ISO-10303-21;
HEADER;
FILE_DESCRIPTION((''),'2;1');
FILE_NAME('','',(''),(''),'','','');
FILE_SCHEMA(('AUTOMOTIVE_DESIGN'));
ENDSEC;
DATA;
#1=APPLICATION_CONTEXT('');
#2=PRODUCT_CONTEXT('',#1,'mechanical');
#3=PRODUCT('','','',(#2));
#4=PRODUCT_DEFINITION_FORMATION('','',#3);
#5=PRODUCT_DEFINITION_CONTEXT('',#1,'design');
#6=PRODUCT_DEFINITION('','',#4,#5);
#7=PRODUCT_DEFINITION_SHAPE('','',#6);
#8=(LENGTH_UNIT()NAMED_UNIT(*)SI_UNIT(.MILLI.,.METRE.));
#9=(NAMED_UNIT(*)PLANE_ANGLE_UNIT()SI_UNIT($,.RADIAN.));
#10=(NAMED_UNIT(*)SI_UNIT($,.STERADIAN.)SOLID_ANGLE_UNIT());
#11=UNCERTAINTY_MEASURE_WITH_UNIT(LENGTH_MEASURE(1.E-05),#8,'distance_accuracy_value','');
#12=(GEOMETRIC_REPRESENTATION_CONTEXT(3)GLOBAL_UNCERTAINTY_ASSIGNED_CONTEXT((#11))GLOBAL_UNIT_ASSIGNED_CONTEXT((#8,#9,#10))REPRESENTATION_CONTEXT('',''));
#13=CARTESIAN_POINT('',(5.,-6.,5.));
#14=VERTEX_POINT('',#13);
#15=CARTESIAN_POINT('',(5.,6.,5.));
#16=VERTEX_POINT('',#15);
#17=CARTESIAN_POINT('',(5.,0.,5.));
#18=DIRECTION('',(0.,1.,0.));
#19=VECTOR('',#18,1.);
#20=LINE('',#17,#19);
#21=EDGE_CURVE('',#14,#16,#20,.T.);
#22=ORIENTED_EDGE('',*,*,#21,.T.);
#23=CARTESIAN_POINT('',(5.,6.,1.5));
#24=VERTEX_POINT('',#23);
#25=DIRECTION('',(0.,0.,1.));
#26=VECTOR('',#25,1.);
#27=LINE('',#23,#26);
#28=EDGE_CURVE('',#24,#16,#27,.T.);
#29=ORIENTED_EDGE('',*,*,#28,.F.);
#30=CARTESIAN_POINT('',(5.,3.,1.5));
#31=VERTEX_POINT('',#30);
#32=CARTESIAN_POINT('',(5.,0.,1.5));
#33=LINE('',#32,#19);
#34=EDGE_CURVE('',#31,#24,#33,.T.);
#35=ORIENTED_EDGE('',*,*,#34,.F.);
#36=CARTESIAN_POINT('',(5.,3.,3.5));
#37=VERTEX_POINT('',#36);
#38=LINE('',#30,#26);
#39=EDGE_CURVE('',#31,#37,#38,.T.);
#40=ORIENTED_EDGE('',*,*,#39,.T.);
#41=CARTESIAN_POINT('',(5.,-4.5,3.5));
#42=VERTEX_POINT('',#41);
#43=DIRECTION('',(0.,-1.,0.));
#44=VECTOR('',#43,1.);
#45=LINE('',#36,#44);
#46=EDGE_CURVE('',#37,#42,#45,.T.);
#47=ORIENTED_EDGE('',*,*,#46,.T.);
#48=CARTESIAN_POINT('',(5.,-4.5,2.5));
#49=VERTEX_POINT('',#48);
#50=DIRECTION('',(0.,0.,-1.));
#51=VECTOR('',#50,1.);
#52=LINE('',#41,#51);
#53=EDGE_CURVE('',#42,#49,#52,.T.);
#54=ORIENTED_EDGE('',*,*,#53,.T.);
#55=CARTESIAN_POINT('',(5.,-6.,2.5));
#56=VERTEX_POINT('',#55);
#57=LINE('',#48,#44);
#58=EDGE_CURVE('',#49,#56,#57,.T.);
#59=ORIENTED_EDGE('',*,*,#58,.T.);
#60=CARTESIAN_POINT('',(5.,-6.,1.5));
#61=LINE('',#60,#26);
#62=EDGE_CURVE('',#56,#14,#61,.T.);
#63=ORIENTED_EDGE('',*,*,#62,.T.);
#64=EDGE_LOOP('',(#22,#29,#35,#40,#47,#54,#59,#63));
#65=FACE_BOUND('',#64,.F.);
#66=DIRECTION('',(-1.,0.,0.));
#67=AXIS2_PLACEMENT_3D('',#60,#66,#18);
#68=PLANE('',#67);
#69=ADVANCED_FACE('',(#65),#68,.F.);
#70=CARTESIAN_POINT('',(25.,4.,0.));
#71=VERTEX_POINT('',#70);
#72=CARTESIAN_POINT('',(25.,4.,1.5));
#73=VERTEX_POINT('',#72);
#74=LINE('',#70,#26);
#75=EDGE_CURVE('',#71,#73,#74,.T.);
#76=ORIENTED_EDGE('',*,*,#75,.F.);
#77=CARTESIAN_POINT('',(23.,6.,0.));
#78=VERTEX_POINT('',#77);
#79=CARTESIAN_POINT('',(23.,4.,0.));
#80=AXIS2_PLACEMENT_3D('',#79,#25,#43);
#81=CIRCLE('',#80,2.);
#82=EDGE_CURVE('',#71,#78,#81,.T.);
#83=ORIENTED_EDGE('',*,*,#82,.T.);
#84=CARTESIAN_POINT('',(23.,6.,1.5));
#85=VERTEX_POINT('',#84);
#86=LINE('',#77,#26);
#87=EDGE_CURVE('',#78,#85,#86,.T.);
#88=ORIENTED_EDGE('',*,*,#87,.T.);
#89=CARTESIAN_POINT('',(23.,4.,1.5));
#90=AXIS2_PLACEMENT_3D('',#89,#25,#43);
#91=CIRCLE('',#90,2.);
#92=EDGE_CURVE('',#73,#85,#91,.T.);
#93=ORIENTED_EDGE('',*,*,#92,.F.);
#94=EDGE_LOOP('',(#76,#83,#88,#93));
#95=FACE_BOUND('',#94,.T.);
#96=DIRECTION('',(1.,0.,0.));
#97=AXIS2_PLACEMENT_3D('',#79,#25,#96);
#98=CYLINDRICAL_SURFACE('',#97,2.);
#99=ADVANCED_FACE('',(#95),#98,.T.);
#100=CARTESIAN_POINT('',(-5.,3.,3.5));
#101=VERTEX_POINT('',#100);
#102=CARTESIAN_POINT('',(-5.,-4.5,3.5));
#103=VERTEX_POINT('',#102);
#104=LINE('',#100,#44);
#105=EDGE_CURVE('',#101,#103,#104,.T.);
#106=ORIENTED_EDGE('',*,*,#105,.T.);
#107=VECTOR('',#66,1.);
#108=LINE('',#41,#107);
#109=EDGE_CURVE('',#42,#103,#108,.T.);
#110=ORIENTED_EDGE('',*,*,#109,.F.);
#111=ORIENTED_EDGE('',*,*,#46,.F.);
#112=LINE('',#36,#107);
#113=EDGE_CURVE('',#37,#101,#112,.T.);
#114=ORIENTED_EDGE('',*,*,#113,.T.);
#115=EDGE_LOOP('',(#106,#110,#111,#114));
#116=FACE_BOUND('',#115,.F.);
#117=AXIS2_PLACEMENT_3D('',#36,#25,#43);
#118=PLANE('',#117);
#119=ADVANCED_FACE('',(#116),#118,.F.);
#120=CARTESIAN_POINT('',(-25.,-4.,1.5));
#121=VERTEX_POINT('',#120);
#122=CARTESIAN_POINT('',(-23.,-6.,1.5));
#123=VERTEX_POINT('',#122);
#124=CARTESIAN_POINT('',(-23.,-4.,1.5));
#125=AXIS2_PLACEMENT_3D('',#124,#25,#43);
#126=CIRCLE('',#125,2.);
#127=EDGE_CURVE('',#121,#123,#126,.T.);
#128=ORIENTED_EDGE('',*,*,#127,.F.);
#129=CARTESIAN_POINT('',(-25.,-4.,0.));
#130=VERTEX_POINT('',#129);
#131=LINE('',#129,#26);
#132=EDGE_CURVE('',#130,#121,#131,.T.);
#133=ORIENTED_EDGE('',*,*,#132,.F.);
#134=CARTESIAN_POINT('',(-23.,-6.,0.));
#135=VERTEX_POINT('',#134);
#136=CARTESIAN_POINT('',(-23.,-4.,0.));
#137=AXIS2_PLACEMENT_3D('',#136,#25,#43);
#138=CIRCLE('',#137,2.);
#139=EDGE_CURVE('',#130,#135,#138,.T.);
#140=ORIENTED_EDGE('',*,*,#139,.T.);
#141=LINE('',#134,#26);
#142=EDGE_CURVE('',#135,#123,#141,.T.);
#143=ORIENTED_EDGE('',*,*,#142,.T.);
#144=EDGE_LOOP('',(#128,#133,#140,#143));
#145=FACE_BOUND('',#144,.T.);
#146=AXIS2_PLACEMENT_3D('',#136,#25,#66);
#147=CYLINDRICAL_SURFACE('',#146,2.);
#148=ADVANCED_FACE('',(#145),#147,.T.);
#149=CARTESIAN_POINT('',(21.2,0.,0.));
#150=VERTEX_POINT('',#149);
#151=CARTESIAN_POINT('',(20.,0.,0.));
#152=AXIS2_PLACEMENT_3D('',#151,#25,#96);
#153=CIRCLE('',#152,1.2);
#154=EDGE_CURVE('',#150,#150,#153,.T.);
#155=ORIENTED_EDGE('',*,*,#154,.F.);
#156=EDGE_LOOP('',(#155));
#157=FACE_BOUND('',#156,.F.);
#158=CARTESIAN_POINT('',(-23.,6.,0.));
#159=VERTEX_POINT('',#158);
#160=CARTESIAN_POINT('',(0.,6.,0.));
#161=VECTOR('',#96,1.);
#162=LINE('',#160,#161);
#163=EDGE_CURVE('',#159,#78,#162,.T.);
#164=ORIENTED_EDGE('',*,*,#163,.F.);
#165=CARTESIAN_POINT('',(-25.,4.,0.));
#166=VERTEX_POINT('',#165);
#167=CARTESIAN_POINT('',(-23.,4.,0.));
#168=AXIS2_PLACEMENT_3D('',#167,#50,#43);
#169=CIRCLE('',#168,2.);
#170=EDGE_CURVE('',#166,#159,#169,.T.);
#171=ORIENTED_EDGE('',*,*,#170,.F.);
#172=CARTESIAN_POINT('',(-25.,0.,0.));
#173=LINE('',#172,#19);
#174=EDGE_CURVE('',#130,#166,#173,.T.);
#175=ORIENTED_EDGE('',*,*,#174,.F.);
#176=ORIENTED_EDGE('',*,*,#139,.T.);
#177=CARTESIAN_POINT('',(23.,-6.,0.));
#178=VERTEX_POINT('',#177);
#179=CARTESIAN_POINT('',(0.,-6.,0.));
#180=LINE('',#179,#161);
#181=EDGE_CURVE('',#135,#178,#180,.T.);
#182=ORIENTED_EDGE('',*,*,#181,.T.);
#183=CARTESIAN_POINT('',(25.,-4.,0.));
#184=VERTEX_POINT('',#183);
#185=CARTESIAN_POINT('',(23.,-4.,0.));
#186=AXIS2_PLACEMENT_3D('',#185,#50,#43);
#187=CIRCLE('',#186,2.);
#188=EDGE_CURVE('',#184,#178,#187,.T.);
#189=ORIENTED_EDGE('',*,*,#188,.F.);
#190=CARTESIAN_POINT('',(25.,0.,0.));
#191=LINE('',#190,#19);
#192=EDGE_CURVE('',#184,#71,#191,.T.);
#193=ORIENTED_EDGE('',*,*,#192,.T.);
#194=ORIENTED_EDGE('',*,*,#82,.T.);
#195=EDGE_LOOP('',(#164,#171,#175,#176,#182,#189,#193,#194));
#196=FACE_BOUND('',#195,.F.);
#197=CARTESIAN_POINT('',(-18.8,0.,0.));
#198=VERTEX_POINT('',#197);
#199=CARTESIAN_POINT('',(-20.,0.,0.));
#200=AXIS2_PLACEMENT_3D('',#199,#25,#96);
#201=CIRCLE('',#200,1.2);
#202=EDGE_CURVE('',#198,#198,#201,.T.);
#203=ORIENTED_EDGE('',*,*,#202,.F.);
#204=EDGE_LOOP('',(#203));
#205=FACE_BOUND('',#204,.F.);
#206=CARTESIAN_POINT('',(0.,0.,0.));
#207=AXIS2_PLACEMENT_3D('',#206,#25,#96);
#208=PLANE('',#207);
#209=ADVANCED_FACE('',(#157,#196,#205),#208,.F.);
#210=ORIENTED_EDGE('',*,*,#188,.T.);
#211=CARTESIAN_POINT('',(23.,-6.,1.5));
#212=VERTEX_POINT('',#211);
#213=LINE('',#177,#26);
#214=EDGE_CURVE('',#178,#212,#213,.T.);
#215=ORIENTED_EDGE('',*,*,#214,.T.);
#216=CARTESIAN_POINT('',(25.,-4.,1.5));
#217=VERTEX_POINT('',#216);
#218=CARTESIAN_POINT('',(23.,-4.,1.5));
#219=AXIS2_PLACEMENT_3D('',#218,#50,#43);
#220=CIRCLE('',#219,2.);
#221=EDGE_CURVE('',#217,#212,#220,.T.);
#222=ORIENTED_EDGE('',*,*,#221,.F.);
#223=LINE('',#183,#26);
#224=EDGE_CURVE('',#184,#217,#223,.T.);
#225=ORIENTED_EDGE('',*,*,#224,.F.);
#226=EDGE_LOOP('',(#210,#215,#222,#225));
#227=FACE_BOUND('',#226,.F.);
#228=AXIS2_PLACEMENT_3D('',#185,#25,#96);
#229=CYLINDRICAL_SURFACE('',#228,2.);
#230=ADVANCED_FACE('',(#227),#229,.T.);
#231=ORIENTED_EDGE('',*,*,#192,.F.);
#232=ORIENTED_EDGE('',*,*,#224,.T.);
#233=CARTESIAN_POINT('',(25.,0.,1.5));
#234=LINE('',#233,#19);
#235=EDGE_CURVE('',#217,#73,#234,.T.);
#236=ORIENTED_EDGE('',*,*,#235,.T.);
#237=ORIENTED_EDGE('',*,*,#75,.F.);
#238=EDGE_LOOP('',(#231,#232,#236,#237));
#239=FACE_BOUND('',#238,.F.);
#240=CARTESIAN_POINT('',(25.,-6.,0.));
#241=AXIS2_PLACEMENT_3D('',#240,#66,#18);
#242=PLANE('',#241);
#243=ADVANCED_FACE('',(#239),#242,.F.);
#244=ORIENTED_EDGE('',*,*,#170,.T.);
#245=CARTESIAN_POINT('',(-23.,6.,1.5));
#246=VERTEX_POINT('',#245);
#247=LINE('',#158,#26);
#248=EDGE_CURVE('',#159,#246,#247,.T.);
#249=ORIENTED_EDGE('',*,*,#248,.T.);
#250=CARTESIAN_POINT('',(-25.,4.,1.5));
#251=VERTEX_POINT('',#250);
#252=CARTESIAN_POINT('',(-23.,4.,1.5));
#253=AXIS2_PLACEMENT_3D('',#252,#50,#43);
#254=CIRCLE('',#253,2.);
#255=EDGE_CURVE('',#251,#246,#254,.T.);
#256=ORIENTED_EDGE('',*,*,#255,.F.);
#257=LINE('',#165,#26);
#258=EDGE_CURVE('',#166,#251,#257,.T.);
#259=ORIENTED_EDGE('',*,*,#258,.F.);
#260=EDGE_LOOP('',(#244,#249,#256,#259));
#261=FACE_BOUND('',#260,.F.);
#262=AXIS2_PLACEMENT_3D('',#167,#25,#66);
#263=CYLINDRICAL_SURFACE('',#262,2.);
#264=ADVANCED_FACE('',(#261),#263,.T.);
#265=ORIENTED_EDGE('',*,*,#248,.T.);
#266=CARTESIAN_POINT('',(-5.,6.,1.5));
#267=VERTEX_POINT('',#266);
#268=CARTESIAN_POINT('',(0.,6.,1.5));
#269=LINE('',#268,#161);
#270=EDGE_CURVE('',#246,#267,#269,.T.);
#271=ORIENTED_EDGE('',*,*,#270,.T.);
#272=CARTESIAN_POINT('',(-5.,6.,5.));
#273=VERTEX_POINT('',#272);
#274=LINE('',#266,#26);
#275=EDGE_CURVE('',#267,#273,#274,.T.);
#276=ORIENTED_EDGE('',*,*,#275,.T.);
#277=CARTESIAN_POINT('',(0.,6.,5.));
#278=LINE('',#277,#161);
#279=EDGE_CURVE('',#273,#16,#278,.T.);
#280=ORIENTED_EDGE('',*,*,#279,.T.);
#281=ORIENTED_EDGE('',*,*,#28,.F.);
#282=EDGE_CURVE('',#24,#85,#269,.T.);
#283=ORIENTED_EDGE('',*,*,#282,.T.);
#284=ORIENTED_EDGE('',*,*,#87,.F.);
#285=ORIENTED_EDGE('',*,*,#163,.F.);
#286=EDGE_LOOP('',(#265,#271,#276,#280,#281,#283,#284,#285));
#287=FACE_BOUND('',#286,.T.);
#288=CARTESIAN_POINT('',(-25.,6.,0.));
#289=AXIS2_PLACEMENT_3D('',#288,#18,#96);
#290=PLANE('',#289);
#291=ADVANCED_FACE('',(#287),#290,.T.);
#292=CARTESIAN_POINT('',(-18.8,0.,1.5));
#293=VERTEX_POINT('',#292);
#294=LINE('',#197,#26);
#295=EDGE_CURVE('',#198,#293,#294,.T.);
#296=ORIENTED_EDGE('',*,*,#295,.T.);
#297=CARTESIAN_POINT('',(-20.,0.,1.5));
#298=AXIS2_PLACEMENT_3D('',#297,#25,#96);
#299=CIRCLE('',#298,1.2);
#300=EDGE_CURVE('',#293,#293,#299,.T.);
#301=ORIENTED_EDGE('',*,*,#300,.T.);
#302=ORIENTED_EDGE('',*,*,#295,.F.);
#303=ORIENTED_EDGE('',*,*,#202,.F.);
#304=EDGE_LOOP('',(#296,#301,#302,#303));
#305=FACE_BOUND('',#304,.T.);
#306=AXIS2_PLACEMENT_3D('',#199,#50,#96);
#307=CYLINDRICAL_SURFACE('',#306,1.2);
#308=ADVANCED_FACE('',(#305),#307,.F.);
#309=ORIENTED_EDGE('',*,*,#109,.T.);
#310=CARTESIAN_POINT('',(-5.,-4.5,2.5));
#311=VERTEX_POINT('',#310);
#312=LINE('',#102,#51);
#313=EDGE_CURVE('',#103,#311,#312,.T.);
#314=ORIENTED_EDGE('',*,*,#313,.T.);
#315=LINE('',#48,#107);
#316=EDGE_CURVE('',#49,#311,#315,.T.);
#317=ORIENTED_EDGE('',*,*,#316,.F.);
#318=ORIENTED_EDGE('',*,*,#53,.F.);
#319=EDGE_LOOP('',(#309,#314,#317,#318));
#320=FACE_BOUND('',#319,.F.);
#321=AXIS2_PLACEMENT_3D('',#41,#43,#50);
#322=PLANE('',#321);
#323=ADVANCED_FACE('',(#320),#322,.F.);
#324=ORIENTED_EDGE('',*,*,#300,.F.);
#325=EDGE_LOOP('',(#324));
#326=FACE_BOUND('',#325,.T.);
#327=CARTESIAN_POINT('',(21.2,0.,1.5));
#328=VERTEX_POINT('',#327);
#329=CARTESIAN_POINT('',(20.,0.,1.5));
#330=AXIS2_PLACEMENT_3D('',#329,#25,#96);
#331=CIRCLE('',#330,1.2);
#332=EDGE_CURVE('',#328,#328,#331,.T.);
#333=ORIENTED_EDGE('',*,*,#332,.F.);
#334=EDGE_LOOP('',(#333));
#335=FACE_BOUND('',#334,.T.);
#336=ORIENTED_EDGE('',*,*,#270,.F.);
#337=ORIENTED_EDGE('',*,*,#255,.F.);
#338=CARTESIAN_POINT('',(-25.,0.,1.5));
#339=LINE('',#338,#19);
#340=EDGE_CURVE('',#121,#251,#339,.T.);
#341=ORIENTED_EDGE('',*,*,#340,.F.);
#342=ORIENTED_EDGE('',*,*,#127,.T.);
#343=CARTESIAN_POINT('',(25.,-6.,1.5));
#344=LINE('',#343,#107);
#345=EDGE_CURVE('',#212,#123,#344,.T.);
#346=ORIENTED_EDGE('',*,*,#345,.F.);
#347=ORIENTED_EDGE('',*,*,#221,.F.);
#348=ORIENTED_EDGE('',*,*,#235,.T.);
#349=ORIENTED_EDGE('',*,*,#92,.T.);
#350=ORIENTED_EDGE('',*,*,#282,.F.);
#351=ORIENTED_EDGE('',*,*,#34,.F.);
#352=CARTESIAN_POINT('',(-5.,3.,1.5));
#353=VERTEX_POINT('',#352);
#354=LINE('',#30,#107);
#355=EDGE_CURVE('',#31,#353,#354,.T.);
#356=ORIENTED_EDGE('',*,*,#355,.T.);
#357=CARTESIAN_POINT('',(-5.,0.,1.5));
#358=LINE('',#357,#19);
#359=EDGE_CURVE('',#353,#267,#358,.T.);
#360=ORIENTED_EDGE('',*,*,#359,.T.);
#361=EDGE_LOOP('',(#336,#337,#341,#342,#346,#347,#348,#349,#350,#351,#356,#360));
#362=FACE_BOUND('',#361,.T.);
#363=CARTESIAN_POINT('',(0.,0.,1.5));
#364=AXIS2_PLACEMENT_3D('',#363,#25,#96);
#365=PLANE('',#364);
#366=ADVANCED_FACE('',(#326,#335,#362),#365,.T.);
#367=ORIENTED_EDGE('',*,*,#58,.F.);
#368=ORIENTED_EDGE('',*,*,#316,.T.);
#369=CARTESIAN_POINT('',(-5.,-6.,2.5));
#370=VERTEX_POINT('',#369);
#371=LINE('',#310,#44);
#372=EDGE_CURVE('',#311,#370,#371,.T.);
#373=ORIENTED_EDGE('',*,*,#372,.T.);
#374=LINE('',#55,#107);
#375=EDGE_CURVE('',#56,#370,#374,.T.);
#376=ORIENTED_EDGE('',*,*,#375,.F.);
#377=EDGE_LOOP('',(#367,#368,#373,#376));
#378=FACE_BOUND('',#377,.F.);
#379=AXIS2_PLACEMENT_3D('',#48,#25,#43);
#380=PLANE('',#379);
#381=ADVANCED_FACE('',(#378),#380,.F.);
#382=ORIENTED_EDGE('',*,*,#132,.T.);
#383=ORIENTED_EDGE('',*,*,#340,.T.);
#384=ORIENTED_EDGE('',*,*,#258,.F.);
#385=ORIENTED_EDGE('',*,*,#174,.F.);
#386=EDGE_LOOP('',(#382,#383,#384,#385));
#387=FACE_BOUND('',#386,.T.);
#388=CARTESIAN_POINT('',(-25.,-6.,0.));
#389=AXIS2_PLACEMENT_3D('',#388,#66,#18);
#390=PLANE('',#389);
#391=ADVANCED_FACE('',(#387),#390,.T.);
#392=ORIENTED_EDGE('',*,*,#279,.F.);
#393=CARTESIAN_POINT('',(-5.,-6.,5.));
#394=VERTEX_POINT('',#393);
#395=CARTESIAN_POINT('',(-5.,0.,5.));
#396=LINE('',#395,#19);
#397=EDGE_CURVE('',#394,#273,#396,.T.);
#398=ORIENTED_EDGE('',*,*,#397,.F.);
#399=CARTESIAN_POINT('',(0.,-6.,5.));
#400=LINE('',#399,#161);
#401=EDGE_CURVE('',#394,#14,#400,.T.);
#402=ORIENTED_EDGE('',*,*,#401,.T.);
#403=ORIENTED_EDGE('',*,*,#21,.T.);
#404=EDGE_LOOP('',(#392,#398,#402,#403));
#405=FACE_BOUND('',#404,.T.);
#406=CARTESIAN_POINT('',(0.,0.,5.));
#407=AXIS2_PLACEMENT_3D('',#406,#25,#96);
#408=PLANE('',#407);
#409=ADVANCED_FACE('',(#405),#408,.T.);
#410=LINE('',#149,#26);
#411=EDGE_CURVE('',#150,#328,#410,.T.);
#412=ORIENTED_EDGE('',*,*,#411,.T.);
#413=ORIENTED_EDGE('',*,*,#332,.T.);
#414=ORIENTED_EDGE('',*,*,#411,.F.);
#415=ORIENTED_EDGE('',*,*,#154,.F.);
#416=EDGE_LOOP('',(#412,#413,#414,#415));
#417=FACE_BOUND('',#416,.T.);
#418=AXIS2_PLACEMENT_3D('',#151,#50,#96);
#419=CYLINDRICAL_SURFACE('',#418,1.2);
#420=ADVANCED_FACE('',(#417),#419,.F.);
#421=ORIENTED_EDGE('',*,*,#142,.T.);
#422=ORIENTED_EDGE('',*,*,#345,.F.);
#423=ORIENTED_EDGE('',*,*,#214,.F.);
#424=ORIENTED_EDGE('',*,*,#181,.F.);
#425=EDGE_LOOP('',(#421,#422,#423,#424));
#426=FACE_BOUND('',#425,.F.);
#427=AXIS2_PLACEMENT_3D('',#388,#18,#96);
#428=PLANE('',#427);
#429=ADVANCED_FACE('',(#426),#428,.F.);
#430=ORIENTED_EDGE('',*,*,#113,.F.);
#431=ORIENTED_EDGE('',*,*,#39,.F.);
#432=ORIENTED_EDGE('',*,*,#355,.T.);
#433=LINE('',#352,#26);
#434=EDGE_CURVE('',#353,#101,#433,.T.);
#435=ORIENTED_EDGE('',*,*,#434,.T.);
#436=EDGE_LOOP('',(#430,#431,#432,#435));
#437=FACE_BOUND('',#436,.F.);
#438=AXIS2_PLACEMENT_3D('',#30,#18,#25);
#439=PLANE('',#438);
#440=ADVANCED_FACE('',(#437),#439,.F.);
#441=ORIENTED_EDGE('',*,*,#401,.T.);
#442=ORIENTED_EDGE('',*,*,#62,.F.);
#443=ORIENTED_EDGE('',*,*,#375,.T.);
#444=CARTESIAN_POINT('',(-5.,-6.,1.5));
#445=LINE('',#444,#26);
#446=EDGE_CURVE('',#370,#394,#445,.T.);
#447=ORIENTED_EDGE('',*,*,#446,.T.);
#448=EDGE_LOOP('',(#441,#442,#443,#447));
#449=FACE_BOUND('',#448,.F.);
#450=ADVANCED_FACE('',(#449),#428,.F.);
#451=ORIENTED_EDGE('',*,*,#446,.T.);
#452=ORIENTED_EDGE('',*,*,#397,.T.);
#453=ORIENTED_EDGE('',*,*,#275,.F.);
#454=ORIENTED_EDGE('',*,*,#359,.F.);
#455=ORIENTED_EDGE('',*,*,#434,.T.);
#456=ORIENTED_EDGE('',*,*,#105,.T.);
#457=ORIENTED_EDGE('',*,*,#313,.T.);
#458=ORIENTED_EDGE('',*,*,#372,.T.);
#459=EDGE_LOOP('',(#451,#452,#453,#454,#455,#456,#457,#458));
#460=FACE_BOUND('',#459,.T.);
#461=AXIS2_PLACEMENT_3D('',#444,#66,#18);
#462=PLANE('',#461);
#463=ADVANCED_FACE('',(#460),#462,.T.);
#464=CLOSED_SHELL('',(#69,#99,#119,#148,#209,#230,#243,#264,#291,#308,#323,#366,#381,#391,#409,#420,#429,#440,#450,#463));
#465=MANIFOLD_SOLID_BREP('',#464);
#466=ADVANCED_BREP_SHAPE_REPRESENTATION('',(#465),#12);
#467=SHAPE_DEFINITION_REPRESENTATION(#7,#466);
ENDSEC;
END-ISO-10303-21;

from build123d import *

# Parameters (mm, degrees)
SKETCH_W     = 50
SKETCH_H     = 12
SKETCH_R     = 1.2
PAD_DEPTH    = 1.5
SKETCH001_W  = 10
SKETCH001_H  = 12
PAD001_DEPTH = 3.5
POCKET_DEPTH = 10
FILLET_R     = 2


with BuildPart() as part:
    # Sketch → Pad (new body)
    with BuildSketch(Plane.XY):
        Rectangle(SKETCH_W, SKETCH_H)
        with Locations((-20, 0)):
            Circle(SKETCH_R, mode=Mode.SUBTRACT)
        with Locations((20, 0)):
            Circle(SKETCH_R, mode=Mode.SUBTRACT)
    extrude(amount=PAD_DEPTH)

    # Sketch001 (on Face8 of Pad) → Pad001 (join)
    with BuildSketch(Plane.XY.offset(1.5)):
        Rectangle(SKETCH001_W, SKETCH001_H)
    extrude(amount=PAD001_DEPTH)

    # Sketch002 (on Face12 of Pad001) → Pocket (cut)
    with BuildSketch(Plane.YZ.offset(5)):
        Polygon((3, 1.5), (3, 3.5), (-4.5, 3.5), (-4.5, 2.5), (-6, 2.5), (-6, 1.5), align=None)
    extrude(amount=-POCKET_DEPTH, mode=Mode.SUBTRACT)

    # Fillet
    fillet_edges = [part.edges().sort_by_distance(p)[0] for p in [
        (25, -6, 0.75),
        (25, 6, 0.75),
        (-25, -6, 0.75),
        (-25, 6, 0.75),
    ]]
    fillet(fillet_edges, radius=FILLET_R)


solid = part.part
